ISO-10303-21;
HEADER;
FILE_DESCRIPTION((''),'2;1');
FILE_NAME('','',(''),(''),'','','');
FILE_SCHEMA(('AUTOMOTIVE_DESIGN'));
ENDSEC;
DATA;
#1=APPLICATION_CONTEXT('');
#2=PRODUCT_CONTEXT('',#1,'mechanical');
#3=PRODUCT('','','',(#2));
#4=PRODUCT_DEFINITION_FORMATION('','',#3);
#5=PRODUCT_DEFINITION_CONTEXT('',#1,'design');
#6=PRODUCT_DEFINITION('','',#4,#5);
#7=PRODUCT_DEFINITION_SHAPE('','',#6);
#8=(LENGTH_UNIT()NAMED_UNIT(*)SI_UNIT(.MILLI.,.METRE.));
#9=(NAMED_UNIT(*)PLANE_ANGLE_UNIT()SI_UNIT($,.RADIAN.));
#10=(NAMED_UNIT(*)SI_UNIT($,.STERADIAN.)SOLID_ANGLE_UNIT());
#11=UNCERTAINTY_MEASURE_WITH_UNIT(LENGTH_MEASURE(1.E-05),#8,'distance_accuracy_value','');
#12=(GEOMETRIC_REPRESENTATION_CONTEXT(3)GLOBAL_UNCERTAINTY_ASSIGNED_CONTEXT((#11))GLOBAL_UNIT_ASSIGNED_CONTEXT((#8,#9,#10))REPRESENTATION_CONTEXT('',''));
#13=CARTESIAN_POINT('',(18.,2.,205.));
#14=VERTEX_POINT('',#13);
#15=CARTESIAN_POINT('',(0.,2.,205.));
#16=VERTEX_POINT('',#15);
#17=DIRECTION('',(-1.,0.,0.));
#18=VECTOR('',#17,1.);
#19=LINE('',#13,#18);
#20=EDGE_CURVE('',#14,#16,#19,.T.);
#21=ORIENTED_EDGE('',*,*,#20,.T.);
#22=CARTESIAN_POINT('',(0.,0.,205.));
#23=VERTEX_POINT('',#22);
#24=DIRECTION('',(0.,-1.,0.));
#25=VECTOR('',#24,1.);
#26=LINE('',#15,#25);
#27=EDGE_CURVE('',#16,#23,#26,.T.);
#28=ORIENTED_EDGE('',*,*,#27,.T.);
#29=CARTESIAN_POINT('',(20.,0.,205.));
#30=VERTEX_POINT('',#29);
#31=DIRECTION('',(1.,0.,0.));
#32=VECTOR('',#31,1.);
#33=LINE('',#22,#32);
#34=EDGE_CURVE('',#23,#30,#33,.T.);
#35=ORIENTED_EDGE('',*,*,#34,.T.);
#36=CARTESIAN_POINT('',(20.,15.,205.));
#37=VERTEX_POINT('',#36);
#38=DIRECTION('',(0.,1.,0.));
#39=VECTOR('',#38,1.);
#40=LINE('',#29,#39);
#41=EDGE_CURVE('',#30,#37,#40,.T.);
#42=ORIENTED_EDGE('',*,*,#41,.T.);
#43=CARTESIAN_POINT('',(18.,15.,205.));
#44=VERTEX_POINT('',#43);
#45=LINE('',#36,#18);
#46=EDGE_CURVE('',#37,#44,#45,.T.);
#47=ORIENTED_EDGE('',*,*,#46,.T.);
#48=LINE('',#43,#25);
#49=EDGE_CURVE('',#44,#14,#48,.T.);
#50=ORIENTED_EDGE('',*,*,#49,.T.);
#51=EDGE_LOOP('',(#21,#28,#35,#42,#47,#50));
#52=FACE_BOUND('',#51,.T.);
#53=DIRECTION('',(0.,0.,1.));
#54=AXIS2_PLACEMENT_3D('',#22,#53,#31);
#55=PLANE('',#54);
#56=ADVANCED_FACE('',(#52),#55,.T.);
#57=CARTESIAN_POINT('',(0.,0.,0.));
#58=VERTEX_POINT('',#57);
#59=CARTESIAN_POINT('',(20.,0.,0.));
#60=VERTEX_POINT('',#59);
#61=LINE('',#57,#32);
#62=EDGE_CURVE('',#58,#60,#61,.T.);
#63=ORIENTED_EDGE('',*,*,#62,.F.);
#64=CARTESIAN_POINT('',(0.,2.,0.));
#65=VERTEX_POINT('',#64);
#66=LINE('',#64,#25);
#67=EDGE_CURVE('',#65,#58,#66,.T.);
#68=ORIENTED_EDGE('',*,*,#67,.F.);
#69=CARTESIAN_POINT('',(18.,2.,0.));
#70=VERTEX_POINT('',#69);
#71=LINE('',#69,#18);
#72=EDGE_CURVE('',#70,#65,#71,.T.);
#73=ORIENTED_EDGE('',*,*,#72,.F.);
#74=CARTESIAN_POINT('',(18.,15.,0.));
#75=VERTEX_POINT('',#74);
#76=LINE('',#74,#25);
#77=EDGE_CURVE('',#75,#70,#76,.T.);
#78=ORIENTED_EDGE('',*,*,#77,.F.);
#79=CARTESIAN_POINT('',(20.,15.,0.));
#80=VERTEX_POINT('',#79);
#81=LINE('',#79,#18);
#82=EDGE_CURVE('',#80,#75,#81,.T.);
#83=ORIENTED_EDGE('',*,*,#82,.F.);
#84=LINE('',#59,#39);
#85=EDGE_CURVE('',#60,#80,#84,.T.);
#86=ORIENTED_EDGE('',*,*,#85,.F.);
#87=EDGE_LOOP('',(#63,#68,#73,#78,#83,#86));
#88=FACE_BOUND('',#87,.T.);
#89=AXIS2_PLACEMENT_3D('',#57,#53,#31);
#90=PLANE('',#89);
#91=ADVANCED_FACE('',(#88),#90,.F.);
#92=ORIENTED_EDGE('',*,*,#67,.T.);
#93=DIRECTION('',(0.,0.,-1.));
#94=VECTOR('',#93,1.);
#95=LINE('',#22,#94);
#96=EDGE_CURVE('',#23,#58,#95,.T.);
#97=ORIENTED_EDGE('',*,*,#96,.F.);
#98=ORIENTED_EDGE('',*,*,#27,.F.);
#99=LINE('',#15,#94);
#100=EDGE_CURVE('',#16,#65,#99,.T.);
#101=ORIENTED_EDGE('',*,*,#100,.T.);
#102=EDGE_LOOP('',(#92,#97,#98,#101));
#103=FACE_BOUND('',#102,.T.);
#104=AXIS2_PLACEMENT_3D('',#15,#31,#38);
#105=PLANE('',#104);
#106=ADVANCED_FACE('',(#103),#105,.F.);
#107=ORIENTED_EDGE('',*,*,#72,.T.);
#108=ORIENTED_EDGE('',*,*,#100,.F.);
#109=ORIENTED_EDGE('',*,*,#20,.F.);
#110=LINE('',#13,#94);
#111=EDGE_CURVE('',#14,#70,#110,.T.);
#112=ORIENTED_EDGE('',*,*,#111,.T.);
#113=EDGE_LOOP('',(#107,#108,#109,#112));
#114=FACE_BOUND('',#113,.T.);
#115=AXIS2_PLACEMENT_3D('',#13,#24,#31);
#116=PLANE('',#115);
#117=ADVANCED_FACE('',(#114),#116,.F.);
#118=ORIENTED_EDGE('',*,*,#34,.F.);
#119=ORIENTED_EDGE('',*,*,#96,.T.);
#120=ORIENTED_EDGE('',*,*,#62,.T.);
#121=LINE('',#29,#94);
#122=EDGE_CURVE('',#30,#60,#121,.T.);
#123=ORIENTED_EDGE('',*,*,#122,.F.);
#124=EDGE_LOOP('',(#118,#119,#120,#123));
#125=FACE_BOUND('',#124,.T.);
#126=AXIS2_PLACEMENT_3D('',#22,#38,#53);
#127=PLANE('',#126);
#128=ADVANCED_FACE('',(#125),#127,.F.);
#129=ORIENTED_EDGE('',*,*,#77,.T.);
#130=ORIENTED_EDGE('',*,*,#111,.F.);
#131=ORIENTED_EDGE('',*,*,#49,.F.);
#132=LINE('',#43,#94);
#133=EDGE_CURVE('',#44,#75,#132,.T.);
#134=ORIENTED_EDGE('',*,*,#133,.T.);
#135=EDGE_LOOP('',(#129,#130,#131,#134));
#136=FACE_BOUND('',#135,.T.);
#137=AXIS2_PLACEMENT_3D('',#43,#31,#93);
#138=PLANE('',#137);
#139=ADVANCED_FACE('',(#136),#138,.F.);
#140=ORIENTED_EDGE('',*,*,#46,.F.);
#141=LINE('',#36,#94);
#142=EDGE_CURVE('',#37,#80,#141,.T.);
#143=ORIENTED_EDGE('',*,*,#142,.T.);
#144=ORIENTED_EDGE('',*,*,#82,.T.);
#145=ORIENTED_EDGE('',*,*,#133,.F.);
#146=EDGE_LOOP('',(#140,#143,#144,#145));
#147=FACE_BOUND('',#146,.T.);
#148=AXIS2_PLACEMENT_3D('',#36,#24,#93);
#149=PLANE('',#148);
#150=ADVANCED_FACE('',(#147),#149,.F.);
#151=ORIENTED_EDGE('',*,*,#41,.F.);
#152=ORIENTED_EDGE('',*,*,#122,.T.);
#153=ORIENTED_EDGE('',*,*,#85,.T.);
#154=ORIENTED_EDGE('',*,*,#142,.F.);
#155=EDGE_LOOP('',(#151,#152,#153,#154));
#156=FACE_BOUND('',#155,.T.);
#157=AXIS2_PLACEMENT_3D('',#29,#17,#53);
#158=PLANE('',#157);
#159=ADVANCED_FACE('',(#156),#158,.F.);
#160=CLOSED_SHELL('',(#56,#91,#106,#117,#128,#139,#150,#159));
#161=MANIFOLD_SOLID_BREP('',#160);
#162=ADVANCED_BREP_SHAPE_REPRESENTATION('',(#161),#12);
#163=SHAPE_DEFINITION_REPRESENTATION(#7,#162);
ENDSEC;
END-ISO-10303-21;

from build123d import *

# Parameters (mm, degrees)
AUFSATZ_LINEAR_AUSTRAGEN1_DEPTH = 205


with BuildPart() as part:
    # Skizze1 → Aufsatz-Linear austragen1 (new body)
    with BuildSketch(Plane.XY):
        Polygon((0, 0), (20, 0), (20, 15), (18, 15), (18, 2), (0, 2), align=None)
    extrude(amount=AUFSATZ_LINEAR_AUSTRAGEN1_DEPTH)


solid = part.part
